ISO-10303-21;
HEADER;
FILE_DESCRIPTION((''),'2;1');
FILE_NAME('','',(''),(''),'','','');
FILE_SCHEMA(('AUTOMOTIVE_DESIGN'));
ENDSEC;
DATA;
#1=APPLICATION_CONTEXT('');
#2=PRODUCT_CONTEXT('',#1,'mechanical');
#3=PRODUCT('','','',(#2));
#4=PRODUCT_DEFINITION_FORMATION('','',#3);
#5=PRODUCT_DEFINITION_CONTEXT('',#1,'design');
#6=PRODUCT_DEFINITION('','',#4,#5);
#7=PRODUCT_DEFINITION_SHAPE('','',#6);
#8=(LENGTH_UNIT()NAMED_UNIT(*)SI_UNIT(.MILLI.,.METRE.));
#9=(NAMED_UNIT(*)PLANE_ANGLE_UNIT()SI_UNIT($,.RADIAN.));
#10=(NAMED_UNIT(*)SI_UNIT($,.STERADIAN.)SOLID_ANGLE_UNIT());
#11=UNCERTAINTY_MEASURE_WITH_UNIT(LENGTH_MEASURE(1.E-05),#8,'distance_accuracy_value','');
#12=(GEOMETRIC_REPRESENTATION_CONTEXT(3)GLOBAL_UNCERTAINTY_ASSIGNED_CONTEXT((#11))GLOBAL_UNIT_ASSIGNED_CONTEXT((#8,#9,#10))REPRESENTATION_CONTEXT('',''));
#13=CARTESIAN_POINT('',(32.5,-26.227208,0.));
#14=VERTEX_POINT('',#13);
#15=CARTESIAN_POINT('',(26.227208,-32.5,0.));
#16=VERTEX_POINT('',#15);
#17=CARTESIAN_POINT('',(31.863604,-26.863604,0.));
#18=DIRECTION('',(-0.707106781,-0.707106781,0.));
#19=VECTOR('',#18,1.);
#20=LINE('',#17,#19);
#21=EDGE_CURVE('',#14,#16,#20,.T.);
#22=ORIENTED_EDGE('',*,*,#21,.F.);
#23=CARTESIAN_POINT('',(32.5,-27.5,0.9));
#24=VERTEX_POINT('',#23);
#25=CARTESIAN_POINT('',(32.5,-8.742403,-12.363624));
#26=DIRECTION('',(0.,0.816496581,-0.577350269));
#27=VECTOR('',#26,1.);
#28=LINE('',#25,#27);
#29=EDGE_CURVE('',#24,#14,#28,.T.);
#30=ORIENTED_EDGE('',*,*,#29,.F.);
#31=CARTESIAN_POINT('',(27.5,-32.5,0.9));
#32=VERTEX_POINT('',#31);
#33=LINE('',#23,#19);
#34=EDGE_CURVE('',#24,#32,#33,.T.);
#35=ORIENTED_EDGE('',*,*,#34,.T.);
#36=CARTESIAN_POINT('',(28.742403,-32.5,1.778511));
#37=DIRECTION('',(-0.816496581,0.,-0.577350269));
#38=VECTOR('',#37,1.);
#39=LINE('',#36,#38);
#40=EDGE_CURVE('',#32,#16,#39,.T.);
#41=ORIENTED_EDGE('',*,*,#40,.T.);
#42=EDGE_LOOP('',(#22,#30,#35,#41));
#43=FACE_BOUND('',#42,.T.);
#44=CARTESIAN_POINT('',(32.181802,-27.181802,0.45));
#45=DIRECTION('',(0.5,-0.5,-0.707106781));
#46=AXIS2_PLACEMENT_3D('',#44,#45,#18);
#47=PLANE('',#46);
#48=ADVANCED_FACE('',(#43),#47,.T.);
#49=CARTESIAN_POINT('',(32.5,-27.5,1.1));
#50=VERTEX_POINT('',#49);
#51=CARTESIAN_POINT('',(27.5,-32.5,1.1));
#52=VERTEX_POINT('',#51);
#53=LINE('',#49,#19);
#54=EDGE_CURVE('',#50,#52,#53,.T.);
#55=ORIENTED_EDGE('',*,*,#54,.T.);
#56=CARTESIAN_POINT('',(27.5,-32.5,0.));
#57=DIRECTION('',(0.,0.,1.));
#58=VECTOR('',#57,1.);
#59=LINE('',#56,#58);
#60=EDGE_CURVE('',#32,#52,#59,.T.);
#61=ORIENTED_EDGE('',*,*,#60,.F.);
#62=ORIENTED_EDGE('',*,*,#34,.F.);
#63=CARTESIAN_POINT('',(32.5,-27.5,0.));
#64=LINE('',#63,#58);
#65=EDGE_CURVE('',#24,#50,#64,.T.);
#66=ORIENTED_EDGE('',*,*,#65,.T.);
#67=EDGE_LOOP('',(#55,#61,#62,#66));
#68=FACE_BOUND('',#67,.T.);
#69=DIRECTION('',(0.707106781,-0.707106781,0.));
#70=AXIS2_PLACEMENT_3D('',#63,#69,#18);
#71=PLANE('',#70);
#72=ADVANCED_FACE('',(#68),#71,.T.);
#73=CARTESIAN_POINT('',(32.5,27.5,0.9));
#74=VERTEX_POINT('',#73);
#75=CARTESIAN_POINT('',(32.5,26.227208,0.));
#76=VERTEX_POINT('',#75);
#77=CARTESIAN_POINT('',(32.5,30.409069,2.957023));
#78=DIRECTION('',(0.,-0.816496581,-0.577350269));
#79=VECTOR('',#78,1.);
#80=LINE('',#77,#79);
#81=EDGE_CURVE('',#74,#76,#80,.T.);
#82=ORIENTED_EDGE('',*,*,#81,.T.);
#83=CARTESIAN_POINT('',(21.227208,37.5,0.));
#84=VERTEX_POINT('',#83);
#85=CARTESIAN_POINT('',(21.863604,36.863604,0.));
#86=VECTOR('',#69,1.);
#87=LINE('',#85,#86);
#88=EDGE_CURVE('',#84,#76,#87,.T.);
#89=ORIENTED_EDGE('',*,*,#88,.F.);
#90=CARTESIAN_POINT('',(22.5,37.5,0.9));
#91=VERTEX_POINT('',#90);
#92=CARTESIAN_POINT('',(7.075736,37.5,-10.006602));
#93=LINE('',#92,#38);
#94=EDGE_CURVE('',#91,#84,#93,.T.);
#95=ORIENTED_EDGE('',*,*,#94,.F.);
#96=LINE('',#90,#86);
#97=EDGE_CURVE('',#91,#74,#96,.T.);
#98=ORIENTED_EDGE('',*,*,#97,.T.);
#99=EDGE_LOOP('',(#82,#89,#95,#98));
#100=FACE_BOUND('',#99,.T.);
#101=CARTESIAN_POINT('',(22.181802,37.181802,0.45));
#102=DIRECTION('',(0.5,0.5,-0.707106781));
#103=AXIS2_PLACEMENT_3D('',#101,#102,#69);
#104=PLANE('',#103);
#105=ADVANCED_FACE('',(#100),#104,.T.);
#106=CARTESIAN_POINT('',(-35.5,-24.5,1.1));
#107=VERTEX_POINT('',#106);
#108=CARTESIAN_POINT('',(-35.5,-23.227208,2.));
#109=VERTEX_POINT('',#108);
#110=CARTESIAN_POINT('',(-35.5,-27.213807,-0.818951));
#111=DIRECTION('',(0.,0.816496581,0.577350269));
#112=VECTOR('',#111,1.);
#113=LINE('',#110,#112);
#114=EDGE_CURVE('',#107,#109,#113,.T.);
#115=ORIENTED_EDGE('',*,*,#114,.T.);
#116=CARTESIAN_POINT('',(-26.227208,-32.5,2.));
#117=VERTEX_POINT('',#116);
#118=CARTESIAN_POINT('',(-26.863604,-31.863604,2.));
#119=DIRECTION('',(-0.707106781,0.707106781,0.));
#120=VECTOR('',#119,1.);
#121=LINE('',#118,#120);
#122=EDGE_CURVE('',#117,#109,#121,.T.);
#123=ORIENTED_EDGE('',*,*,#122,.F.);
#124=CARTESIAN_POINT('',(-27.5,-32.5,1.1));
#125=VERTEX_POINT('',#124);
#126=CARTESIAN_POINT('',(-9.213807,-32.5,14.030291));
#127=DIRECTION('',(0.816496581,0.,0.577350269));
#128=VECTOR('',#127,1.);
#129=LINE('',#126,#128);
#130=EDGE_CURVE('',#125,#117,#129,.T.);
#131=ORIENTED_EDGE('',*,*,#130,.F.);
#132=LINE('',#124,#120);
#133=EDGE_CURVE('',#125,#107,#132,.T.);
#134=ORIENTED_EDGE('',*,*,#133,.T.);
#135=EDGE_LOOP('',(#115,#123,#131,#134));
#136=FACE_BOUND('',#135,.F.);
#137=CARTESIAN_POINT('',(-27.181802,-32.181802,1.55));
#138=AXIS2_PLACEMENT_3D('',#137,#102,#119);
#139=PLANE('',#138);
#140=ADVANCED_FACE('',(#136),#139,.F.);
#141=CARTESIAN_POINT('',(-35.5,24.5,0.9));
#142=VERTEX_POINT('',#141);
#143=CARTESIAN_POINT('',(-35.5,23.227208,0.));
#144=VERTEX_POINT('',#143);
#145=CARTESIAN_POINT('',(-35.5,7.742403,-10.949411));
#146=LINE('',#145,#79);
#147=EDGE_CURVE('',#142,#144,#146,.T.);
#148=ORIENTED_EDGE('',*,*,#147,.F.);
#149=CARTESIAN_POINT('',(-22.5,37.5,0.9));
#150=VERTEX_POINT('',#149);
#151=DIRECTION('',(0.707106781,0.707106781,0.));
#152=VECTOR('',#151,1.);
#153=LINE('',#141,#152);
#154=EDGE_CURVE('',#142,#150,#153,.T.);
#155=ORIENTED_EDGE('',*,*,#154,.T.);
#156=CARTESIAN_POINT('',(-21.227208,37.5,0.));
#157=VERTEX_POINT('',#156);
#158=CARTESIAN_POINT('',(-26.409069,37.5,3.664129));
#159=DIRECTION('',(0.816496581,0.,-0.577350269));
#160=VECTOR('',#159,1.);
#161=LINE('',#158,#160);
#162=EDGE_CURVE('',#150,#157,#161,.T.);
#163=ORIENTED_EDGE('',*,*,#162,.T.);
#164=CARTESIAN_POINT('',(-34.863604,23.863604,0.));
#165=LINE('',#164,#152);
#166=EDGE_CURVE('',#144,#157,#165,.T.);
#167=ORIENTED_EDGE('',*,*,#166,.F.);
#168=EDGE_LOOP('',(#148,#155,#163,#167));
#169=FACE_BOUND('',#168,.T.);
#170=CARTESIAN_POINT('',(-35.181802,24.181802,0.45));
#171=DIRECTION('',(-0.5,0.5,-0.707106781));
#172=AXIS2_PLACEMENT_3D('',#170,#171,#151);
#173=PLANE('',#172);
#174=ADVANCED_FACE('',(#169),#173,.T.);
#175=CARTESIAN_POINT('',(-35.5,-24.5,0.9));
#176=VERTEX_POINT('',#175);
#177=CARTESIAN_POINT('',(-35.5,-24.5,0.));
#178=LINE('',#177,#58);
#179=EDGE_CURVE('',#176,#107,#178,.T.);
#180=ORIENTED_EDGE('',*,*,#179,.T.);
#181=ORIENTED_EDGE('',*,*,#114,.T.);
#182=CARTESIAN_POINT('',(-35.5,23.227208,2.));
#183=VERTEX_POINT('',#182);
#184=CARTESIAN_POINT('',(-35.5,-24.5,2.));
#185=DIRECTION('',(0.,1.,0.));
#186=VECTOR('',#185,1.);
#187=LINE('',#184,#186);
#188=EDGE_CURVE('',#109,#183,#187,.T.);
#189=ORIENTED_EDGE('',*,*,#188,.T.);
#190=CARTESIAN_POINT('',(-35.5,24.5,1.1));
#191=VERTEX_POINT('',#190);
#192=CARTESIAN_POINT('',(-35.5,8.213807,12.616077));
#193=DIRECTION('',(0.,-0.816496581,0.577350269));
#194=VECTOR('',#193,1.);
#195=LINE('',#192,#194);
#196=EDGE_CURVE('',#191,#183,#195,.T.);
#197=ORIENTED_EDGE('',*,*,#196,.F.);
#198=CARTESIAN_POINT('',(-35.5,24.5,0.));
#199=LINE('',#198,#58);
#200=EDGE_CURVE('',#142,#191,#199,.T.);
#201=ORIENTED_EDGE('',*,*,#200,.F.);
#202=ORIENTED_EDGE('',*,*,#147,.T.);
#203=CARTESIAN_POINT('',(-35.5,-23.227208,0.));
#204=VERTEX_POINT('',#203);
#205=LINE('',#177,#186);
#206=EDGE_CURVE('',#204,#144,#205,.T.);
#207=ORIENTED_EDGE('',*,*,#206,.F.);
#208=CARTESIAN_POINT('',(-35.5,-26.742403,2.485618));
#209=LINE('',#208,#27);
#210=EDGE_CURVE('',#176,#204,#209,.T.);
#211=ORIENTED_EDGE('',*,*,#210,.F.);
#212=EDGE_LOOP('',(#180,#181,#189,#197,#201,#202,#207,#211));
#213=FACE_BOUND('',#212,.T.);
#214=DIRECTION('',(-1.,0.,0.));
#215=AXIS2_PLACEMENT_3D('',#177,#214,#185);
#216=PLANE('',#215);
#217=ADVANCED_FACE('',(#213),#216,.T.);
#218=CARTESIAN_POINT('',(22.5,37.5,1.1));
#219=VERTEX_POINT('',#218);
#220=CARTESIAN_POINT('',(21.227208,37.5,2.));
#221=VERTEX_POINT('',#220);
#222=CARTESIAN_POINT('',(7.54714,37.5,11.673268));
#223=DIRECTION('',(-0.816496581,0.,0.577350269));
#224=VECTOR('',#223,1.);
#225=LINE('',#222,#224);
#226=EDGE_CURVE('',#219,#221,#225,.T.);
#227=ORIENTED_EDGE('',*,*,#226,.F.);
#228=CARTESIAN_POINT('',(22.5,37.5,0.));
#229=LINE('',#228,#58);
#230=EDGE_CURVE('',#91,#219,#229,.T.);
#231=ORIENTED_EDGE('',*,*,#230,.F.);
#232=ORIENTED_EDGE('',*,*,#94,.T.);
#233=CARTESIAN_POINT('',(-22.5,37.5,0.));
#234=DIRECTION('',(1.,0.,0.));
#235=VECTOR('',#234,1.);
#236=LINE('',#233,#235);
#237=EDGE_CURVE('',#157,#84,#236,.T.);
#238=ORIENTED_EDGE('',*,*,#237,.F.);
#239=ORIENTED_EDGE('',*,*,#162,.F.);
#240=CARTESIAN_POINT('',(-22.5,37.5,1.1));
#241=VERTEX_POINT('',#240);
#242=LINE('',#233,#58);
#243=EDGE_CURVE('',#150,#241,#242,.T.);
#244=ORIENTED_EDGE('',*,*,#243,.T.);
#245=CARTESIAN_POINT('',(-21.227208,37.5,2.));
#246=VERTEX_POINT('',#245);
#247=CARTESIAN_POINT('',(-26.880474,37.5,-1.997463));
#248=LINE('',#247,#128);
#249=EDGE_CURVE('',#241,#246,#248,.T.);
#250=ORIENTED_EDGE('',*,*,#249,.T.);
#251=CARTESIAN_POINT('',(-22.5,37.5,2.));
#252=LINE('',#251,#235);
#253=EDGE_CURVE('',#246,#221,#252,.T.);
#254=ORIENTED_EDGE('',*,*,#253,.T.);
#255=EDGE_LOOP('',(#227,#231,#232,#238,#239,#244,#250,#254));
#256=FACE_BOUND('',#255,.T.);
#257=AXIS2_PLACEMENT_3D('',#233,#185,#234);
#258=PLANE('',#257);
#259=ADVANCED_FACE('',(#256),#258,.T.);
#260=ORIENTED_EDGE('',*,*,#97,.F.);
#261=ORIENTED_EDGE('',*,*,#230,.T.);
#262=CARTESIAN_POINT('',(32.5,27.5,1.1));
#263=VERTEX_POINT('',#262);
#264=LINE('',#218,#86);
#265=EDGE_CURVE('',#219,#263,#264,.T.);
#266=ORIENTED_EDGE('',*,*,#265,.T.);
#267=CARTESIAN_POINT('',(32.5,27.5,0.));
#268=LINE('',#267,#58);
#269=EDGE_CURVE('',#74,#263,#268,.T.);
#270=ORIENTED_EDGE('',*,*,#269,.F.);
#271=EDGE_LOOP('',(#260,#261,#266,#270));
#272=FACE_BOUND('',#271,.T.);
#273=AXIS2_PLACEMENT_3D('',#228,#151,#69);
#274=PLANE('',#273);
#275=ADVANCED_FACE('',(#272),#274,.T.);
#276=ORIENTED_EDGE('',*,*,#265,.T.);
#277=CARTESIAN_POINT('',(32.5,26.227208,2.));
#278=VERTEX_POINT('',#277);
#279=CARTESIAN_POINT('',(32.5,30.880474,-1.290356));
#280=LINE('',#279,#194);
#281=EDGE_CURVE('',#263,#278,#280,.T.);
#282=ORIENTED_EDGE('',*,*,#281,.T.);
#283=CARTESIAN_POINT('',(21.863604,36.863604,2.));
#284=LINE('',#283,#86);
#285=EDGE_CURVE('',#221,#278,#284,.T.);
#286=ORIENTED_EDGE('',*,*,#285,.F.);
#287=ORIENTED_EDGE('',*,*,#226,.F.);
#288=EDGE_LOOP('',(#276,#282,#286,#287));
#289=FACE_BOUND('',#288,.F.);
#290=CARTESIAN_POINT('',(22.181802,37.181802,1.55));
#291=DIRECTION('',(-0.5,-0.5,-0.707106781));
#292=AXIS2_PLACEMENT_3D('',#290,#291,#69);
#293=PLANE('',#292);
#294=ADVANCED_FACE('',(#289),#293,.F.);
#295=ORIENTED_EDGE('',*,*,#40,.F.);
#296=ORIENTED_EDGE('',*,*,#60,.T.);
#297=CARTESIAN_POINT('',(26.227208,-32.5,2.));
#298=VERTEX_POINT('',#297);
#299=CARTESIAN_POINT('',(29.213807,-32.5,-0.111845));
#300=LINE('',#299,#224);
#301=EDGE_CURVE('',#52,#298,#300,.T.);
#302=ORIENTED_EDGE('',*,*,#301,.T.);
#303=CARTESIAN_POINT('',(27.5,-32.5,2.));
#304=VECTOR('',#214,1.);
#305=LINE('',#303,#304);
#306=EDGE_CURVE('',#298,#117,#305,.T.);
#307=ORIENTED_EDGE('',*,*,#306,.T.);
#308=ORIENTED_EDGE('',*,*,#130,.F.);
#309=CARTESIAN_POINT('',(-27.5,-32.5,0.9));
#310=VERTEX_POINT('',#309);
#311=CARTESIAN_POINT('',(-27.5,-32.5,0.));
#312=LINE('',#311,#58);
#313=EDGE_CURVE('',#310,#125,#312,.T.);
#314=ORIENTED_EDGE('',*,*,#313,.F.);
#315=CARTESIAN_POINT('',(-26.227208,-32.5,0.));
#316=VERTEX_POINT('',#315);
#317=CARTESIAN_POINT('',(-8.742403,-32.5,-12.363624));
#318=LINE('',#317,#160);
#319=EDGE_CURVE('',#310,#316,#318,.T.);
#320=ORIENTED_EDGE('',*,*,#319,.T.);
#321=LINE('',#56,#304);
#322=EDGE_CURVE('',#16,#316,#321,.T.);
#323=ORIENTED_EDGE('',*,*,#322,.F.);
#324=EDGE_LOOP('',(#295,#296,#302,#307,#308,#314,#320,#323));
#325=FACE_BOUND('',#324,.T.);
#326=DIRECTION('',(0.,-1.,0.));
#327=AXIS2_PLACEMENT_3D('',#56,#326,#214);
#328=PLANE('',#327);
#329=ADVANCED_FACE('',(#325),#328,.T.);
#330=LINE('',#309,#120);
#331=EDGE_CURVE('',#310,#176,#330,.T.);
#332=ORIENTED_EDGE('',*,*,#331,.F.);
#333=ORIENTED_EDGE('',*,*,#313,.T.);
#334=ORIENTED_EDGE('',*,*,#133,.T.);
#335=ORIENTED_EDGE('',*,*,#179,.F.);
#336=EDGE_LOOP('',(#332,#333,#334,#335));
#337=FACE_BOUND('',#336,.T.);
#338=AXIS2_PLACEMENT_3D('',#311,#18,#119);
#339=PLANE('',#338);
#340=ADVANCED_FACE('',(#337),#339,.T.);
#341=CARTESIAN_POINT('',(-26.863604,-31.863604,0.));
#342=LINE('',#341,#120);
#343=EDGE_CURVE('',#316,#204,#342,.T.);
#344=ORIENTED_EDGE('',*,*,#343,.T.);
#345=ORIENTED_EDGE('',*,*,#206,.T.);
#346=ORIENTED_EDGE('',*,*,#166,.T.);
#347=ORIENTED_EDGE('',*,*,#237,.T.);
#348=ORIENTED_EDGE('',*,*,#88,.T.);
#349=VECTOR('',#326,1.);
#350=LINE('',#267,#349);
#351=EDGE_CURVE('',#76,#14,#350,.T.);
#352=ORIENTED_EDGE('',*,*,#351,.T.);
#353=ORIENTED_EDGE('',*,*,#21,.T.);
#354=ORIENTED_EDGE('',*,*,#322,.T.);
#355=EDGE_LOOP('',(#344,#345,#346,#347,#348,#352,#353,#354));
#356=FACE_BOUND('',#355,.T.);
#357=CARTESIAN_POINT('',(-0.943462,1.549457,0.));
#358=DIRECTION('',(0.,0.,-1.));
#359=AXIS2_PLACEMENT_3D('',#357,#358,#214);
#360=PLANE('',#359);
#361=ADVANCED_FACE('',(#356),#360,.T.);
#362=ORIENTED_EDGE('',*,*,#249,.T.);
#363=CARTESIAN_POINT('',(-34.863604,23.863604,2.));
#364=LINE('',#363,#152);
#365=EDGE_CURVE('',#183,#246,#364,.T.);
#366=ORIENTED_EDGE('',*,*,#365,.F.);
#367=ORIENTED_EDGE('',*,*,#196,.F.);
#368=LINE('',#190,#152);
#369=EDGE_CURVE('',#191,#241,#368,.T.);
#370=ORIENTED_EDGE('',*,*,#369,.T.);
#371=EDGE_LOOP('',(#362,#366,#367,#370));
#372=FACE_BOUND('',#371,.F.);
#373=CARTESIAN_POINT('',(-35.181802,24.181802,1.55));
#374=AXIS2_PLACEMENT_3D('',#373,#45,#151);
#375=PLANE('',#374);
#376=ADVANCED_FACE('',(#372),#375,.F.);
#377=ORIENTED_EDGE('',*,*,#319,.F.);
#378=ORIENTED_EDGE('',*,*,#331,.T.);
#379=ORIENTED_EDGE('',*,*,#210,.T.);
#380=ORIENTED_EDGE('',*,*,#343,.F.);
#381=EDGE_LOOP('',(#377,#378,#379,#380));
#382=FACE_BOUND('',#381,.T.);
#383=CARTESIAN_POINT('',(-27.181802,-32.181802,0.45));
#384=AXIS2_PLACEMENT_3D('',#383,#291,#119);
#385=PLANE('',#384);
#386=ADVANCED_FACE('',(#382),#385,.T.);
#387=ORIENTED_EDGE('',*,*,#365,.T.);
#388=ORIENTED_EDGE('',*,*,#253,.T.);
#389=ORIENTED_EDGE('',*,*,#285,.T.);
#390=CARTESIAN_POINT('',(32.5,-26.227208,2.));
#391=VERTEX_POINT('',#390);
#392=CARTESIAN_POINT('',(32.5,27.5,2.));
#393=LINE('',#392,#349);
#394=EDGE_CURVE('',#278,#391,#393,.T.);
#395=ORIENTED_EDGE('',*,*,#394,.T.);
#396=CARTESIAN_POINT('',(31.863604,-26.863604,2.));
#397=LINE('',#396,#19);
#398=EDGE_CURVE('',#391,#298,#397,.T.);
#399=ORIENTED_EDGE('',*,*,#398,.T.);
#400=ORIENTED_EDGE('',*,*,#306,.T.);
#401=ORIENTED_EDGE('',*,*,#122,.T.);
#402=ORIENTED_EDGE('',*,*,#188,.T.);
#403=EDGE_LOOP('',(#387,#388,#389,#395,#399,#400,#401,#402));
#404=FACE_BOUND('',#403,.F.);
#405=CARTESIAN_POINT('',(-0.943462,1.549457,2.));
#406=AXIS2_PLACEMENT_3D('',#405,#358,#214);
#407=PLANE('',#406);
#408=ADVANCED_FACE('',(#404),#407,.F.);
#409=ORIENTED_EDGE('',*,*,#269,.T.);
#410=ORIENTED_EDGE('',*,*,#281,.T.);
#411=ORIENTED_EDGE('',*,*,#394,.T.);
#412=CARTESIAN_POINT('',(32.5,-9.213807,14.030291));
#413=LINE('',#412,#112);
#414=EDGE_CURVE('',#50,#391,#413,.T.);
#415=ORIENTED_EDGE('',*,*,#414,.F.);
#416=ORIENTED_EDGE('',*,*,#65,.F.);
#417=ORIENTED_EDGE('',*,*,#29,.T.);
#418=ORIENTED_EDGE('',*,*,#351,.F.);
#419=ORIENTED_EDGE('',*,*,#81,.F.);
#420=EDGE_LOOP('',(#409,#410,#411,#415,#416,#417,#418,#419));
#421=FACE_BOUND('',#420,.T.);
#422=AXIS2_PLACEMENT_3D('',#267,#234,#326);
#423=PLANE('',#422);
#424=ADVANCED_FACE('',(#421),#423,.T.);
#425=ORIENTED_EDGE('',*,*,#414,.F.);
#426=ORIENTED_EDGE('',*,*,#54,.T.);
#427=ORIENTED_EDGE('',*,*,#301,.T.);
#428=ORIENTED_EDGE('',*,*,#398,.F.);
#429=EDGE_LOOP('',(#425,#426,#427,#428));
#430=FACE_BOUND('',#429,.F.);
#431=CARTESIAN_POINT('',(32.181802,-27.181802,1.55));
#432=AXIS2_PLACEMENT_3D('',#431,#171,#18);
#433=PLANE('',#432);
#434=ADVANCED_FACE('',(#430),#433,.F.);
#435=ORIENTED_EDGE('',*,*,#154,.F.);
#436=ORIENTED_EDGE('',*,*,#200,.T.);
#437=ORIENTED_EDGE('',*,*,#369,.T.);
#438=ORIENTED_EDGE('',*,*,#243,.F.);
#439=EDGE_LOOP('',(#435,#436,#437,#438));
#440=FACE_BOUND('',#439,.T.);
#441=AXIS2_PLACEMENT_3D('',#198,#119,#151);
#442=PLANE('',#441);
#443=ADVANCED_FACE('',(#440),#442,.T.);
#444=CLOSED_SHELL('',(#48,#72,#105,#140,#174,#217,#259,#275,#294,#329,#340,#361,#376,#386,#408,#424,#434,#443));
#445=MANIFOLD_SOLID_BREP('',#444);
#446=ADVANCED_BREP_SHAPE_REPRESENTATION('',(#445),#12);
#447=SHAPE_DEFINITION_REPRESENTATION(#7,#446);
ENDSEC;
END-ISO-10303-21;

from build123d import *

# Parameters (mm, degrees)
PAD_DEPTH    = 2
CHAMFER_SIZE = 0.9


with BuildPart() as part:
    # Sketch → Pad (new body)
    with BuildSketch(Plane.XY):
        Polygon((-22.5, 37.5), (22.5, 37.5), (32.5, 27.5), (32.5, -27.5), (27.5, -32.5), (-27.5, -32.5), (-35.5, -24.5), (-35.5, 24.5), align=None)
    extrude(amount=PAD_DEPTH)

    # Chamfer
    chamfer_edges = [part.edges().sort_by_distance(p)[0] for p in [
        (-29, 31, 2),
        (27.5, 32.5, 2),
        (30, -30, 2),
        (30, -30, 0),
        (-31.5, -28.5, 2),
        (-31.5, -28.5, 0),
        (27.5, 32.5, 0),
        (-29, 31, 0),
    ]]
    chamfer(chamfer_edges, length=CHAMFER_SIZE)


solid = part.part
